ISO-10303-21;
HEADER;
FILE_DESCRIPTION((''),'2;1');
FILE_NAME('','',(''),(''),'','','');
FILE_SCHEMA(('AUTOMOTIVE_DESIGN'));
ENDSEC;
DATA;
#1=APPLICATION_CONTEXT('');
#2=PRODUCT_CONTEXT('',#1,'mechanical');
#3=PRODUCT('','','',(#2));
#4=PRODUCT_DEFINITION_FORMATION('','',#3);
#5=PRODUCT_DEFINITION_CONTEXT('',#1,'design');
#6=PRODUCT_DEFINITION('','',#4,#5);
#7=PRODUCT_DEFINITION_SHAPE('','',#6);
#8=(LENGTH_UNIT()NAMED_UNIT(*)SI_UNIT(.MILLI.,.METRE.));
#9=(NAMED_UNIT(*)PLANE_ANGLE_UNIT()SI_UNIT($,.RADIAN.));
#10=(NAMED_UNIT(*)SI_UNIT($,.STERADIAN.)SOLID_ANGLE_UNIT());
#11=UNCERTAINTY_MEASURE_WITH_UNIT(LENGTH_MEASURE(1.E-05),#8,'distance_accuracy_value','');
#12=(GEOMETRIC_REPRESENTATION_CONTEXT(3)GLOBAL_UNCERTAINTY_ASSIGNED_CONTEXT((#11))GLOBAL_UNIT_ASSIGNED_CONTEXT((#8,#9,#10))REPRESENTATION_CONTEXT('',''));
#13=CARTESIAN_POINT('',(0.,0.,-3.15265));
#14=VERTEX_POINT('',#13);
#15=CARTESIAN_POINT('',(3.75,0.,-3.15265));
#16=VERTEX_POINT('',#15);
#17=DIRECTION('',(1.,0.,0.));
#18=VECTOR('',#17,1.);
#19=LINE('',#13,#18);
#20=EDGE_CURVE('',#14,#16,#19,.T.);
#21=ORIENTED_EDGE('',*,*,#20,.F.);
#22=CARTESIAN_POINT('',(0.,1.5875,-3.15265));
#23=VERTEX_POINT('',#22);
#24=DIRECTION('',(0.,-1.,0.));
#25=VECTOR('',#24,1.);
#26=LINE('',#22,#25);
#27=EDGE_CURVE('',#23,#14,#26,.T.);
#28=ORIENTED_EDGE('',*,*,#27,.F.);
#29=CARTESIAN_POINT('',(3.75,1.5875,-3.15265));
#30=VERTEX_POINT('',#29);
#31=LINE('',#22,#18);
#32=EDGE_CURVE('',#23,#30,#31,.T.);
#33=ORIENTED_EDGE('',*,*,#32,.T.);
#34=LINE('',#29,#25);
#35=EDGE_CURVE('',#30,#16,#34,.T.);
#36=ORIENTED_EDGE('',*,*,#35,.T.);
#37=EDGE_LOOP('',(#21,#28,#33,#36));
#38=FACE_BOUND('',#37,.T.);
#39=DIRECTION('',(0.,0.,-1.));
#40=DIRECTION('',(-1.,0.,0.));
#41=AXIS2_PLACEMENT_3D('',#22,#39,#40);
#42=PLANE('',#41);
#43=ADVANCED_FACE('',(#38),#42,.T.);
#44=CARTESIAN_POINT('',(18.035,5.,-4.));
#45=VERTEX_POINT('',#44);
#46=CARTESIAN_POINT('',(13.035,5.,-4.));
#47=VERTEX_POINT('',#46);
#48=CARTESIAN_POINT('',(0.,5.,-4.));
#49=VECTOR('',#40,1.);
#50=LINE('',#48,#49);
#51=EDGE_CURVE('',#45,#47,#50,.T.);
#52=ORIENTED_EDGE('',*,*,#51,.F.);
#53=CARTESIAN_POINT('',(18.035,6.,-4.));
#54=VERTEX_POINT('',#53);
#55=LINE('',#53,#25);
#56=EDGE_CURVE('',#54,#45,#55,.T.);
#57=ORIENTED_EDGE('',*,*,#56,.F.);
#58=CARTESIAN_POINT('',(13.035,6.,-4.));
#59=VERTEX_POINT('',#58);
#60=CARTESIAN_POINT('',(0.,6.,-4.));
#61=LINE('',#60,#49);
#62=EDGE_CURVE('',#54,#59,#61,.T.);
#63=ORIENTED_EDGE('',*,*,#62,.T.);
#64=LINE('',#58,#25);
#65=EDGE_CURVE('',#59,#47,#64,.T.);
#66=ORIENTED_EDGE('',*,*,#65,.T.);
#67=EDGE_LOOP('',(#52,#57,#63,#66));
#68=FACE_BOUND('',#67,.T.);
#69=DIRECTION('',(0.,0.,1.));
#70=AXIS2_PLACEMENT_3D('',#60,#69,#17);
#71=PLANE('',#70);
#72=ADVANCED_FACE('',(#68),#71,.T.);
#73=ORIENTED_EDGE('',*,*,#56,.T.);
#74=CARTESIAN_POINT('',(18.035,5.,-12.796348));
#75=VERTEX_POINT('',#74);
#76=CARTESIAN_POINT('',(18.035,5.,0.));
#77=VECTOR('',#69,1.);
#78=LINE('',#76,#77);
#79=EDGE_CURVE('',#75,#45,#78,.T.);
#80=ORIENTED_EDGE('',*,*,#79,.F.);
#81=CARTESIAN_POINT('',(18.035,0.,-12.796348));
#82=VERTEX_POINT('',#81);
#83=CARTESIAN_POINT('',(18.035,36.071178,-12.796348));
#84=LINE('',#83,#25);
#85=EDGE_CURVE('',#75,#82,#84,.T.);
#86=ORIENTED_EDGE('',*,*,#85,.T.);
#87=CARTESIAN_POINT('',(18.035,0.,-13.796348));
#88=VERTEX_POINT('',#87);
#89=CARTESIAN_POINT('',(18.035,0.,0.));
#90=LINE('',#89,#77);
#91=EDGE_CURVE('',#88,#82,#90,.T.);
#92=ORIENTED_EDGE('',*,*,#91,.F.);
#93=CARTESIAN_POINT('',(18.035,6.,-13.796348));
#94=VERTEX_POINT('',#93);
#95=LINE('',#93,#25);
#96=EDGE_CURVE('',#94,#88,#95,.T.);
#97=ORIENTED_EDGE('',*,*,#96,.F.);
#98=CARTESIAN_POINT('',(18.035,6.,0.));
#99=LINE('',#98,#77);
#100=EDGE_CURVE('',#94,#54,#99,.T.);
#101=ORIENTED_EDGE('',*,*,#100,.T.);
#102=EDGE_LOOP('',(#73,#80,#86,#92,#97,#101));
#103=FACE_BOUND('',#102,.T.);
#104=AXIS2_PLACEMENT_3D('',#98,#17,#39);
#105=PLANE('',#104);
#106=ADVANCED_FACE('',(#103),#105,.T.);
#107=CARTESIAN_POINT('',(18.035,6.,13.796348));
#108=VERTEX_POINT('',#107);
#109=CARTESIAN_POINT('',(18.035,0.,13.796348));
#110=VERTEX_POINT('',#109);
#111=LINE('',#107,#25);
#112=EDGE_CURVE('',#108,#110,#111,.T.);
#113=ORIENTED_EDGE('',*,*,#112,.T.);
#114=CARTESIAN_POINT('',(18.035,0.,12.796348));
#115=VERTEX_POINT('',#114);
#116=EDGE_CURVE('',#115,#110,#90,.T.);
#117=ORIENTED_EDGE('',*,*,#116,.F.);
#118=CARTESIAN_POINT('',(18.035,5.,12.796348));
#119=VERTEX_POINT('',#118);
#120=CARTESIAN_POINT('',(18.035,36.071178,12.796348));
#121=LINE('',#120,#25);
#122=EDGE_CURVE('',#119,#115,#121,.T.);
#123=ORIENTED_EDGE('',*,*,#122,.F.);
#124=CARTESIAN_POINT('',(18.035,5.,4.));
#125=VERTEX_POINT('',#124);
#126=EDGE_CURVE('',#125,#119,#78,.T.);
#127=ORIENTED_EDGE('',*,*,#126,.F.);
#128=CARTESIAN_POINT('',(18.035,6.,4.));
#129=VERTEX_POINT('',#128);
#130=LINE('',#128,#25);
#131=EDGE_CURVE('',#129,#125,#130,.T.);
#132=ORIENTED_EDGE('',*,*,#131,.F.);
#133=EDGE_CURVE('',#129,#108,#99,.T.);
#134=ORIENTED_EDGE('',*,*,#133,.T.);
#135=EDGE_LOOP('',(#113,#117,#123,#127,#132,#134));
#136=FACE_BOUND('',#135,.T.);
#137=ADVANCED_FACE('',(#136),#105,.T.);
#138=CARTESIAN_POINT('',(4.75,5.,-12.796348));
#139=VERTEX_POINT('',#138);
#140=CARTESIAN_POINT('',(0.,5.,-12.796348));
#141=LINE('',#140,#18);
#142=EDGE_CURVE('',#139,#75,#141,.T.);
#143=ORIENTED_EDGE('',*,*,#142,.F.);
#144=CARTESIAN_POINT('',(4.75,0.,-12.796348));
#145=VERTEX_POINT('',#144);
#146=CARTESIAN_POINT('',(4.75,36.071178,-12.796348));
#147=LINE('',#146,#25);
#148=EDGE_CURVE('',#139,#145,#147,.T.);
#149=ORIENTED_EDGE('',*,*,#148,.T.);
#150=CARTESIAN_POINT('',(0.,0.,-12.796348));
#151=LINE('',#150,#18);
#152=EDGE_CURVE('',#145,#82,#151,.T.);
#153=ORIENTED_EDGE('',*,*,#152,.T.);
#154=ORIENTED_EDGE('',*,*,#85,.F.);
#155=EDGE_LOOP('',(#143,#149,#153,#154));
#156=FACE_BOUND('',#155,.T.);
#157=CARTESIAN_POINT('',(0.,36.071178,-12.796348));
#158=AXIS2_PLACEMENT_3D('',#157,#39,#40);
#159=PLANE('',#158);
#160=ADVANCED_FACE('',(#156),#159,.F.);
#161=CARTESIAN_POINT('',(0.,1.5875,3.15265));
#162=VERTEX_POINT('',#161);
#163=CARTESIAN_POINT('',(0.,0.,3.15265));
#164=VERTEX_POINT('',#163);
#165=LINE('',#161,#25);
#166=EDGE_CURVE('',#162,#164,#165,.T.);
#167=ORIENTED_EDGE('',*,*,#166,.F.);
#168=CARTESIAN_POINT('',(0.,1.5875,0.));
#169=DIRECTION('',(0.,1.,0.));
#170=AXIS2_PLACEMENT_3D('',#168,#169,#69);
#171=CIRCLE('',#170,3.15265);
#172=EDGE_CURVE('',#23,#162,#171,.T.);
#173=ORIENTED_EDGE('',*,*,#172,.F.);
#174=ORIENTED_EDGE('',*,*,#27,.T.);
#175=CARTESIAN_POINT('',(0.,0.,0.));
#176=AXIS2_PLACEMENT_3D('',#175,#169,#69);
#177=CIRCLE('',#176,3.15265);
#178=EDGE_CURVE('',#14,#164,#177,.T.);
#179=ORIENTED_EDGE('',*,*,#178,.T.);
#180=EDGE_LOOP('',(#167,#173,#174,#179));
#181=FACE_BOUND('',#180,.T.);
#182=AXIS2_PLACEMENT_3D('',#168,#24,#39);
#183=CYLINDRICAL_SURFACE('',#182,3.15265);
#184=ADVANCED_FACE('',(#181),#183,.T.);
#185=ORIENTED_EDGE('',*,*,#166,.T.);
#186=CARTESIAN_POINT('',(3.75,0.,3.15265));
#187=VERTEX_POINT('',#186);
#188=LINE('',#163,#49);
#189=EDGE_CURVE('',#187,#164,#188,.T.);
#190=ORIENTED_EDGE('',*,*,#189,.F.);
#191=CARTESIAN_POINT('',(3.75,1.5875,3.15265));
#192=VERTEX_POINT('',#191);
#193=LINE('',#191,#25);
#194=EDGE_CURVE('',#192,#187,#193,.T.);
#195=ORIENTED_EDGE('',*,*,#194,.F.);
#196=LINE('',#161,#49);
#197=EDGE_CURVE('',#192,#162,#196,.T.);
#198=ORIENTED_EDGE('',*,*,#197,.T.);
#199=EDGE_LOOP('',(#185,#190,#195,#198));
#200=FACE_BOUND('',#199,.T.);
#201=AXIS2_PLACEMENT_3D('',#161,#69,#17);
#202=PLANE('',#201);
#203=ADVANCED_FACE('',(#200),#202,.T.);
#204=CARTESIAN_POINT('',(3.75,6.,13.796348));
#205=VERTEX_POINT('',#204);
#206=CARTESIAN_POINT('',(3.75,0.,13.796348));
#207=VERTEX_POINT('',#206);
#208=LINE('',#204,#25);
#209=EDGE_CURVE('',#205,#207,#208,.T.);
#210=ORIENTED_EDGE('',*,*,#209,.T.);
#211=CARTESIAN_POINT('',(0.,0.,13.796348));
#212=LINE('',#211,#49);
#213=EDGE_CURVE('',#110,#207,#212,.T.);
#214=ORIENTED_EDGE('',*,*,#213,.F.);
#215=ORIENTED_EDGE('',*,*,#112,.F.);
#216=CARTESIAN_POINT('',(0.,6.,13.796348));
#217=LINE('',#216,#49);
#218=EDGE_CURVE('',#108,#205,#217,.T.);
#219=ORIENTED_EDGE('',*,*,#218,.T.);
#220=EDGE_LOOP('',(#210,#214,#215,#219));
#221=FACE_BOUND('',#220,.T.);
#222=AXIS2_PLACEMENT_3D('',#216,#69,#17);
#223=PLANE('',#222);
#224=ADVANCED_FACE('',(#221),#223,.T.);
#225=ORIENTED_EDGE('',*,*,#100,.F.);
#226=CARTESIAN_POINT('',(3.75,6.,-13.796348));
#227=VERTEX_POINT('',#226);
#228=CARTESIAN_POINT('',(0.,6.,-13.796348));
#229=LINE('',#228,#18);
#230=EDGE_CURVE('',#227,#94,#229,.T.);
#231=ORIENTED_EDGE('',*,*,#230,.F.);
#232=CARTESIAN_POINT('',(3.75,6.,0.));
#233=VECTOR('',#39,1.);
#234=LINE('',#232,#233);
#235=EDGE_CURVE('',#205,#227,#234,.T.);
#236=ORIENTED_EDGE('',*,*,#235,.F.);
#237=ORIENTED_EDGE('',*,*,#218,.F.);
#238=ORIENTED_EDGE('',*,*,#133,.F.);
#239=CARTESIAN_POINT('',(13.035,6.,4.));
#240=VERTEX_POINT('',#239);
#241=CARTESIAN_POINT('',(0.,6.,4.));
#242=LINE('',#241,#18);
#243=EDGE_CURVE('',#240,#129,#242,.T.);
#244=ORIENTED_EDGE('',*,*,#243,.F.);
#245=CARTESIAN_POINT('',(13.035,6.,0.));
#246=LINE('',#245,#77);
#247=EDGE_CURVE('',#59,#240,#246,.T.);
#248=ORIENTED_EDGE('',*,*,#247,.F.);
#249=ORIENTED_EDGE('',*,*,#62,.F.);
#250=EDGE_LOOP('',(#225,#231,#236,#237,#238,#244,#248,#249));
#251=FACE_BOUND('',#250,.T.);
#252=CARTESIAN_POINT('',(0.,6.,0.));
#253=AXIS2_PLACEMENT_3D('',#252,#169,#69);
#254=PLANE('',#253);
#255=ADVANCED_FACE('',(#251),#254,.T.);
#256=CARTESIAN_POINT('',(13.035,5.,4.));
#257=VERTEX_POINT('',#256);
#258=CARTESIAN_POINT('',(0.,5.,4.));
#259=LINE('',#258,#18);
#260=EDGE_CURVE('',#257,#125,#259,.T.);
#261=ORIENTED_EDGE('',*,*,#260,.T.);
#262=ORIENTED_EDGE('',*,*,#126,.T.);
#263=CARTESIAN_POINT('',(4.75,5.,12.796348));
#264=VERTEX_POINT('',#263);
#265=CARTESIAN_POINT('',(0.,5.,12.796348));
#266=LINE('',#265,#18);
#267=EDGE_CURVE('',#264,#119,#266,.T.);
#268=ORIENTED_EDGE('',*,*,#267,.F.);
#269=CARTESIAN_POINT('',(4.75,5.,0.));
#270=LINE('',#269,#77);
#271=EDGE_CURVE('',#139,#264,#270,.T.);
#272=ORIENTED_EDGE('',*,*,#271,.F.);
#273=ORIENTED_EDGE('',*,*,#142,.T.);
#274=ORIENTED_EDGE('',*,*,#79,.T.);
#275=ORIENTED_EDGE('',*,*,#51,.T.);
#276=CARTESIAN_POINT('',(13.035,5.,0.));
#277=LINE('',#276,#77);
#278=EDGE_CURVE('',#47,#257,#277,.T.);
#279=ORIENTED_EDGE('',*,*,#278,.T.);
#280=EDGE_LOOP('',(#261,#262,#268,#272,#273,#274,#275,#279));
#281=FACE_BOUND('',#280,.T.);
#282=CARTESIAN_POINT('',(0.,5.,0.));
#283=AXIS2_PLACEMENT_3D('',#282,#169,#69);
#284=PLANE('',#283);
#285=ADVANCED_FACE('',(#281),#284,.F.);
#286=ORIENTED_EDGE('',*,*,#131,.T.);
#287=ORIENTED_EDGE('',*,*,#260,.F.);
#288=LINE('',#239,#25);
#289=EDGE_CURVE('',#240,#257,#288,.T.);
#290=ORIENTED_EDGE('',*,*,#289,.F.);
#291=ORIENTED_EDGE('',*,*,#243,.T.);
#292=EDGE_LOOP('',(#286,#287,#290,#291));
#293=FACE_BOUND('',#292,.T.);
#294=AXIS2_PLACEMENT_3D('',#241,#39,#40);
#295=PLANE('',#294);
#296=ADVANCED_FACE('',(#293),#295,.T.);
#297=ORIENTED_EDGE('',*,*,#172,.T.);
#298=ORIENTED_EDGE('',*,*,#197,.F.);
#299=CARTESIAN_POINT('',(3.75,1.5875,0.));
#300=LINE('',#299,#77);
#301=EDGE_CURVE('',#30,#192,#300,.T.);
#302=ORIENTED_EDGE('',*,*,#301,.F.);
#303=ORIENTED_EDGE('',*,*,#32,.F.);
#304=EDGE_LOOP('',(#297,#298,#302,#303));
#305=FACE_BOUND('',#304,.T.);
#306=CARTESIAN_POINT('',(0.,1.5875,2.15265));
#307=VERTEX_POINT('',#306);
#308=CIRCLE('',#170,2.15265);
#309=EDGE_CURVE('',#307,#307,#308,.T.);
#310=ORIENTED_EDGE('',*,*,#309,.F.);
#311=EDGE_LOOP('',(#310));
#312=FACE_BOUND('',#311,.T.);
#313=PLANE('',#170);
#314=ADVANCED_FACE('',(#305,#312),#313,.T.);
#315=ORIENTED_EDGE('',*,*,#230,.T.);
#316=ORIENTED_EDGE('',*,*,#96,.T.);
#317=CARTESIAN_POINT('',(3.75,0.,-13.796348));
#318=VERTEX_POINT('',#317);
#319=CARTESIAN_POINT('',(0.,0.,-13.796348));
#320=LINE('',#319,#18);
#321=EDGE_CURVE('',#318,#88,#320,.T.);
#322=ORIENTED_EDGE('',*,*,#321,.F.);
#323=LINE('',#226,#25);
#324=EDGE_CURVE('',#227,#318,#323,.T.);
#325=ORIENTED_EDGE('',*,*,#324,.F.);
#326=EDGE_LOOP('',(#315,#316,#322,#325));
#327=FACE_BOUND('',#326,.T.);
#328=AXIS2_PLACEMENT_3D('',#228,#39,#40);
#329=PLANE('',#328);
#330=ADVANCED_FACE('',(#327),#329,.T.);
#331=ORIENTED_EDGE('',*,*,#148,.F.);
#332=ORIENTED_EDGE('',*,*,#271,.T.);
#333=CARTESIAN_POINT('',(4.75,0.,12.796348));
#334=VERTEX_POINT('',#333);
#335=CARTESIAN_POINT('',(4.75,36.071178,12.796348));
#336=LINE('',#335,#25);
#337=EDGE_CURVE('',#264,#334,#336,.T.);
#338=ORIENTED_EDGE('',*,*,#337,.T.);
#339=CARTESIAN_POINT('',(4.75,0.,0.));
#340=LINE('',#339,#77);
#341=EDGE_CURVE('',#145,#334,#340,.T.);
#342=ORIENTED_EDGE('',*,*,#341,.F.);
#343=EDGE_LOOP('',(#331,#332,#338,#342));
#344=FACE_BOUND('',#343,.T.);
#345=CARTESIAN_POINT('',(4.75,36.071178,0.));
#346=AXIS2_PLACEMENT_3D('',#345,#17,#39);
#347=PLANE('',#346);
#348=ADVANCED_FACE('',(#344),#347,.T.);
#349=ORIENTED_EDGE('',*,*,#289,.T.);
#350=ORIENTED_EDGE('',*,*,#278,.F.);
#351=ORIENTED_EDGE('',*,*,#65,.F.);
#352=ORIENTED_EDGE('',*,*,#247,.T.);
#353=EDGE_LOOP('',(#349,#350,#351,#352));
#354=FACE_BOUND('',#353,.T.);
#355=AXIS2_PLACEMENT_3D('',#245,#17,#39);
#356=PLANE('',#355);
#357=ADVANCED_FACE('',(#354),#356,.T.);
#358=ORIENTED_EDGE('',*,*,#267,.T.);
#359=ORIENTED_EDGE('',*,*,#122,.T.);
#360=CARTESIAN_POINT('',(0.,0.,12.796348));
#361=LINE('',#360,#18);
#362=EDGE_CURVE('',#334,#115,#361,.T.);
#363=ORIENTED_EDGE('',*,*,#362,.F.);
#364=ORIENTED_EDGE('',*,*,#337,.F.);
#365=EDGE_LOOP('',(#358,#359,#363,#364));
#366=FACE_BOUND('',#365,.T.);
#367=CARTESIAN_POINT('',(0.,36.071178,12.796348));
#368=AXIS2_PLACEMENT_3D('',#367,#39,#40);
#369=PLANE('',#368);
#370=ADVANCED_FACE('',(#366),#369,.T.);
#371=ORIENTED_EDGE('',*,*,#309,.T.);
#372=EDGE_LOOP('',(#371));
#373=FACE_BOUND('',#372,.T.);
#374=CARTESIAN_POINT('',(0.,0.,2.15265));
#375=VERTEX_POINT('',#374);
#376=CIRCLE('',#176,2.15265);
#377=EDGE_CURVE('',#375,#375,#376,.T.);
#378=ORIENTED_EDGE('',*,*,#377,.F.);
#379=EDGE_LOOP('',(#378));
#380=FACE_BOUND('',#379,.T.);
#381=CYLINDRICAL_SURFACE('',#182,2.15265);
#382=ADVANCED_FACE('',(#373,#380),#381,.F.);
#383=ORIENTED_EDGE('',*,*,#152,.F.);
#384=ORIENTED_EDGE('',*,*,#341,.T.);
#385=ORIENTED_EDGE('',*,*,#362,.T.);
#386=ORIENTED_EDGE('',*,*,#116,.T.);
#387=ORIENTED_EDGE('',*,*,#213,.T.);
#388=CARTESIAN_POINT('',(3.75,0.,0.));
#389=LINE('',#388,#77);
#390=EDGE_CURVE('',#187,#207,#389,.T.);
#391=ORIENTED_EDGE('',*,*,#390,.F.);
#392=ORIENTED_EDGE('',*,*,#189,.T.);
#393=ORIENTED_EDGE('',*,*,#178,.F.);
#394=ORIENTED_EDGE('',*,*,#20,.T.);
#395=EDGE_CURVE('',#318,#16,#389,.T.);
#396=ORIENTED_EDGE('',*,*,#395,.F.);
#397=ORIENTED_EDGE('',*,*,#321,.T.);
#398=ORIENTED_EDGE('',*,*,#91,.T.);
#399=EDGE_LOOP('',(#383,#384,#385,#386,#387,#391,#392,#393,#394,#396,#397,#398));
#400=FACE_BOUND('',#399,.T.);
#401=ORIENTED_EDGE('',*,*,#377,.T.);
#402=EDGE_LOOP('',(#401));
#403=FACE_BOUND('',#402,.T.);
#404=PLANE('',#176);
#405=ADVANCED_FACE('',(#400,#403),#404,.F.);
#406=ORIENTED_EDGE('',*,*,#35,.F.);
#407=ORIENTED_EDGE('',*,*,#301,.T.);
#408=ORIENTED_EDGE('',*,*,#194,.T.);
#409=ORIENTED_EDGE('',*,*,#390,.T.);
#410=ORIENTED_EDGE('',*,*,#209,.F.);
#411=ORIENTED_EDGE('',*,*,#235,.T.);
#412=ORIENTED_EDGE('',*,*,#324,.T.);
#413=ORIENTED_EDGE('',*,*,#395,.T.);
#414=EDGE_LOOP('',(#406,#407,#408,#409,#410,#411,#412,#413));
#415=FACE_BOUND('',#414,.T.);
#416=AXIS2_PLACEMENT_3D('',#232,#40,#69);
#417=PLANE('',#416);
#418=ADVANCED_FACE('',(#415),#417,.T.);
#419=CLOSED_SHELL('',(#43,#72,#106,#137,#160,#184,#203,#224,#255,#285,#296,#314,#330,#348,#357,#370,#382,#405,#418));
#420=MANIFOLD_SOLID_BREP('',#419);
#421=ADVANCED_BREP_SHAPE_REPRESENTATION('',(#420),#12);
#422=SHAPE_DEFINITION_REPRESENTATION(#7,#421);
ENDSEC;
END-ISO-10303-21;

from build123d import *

# Parameters (mm, degrees)
BOSS_EXTRUDE1_START = 5
BOSS_EXTRUDE1_DEPTH = 1
SKETCH1_4_W         = 1
SKETCH1_4_H         = 4.3053
BOSS_EXTRUDE2_DEPTH = 5
BOSS_EXTRUDE3_DEPTH = 1.5875


with BuildPart() as part:
    # Sketch1 → Boss-Extrude1 (new body)
    with BuildSketch(Plane(origin=(0, 0, 0), x_dir=(1, 0, 0), z_dir=(0, 1, 0)).offset(BOSS_EXTRUDE1_START)):
        Polygon((13.035, -4), (13.035, 4), (18.035, 4), (18.035, 13.796348116), (3.75, 13.796348116), (3.75, -13.796348116), (18.035, -13.796348116), (18.035, -4), align=None)
    extrude(amount=BOSS_EXTRUDE1_DEPTH)

    # Sketch1<4> → Boss-Extrude2 (add)
    with BuildSketch(Plane(origin=(0, 0, 0), x_dir=(1, 0, 0), z_dir=(0, 1, 0))):
        with Locations((4.25, 0)):
            Rectangle(SKETCH1_4_W, SKETCH1_4_H)
        Polygon((3.75, 3.15265), (3.75, 2.15265), (4.75, 2.15265), (4.75, 12.796348116), (17.035, 12.796348116), (18.035, 12.796348116), (18.035, 13.796348116), (3.75, 13.796348116), align=None)
        Polygon((4.75, -2.15265), (3.75, -2.15265), (3.75, -3.15265), (3.75, -13.796348116), (18.035, -13.796348116), (18.035, -12.796348116), (17.035, -12.796348116), (4.75, -12.796348116), align=None)
    extrude(amount=BOSS_EXTRUDE2_DEPTH)

    # Sketch1<5> → Boss-Extrude3 (add)
    with BuildSketch(Plane(origin=(0, 0, 0), x_dir=(1, 0, 0), z_dir=(0, 1, 0))):
        with BuildLine():
            Line((2.303323685, 2.15265), (3.75, 2.15265))
            Line((3.75, 2.15265), (3.75, 3.15265))
            Line((3.75, 3.15265), (0, 3.15265))
            ThreePointArc((0, 3.15265), (1.255517821, 2.891863936), (2.303323685, 2.15265))
        make_face()
        with BuildLine():
            Line((3.75, -2.15265), (3.75, 2.15265))
            Line((3.75, 2.15265), (2.303323685, 2.15265))
            ThreePointArc((2.303323685, 2.15265), (2.932641765, 1.157071434), (3.15265, 0))
            ThreePointArc((3.15265, 0), (2.932641765, -1.157071434), (2.303323685, -2.15265))
            Line((2.303323685, -2.15265), (3.75, -2.15265))
        make_face()
        with BuildLine():
            Line((3.75, -3.15265), (3.75, -2.15265))
            Line((3.75, -2.15265), (2.303323685, -2.15265))
            ThreePointArc((2.303323685, -2.15265), (1.255517821, -2.891863936), (0, -3.15265))
            Line((0, -3.15265), (3.75, -3.15265))
        make_face()
        with BuildLine():
            ThreePointArc((3.15265, 0), (2.932641765, 1.157071434), (2.303323685, 2.15265))
            Line((2.303323685, 2.15265), (0, 2.15265))
            ThreePointArc((0, 2.15265), (1.522153413, 1.522153413), (2.15265, 0))
            ThreePointArc((2.15265, 0), (1.522153413, -1.522153413), (0, -2.15265))
            Line((0, -2.15265), (2.303323685, -2.15265))
            ThreePointArc((2.303323685, -2.15265), (2.932641765, -1.157071434), (3.15265, 0))
        make_face()
        with BuildLine():
            ThreePointArc((0, -2.15265), (-2.15265, 0), (0, 2.15265))
            Line((0, 2.15265), (0, 3.15265))
            ThreePointArc((0, 3.15265), (-3.15265, 0), (0, -3.15265))
            Line((0, -3.15265), (0, -2.15265))
        make_face()
        with BuildLine():
            Line((0, 2.15265), (2.303323685, 2.15265))
            ThreePointArc((2.303323685, 2.15265), (1.255517821, 2.891863936), (0, 3.15265))
            Line((0, 3.15265), (0, 2.15265))
        make_face()
        with BuildLine():
            ThreePointArc((0, -3.15265), (1.255517821, -2.891863936), (2.303323685, -2.15265))
            Line((2.303323685, -2.15265), (0, -2.15265))
            Line((0, -2.15265), (0, -3.15265))
        make_face()
    extrude(amount=BOSS_EXTRUDE3_DEPTH)


solid = part.part
